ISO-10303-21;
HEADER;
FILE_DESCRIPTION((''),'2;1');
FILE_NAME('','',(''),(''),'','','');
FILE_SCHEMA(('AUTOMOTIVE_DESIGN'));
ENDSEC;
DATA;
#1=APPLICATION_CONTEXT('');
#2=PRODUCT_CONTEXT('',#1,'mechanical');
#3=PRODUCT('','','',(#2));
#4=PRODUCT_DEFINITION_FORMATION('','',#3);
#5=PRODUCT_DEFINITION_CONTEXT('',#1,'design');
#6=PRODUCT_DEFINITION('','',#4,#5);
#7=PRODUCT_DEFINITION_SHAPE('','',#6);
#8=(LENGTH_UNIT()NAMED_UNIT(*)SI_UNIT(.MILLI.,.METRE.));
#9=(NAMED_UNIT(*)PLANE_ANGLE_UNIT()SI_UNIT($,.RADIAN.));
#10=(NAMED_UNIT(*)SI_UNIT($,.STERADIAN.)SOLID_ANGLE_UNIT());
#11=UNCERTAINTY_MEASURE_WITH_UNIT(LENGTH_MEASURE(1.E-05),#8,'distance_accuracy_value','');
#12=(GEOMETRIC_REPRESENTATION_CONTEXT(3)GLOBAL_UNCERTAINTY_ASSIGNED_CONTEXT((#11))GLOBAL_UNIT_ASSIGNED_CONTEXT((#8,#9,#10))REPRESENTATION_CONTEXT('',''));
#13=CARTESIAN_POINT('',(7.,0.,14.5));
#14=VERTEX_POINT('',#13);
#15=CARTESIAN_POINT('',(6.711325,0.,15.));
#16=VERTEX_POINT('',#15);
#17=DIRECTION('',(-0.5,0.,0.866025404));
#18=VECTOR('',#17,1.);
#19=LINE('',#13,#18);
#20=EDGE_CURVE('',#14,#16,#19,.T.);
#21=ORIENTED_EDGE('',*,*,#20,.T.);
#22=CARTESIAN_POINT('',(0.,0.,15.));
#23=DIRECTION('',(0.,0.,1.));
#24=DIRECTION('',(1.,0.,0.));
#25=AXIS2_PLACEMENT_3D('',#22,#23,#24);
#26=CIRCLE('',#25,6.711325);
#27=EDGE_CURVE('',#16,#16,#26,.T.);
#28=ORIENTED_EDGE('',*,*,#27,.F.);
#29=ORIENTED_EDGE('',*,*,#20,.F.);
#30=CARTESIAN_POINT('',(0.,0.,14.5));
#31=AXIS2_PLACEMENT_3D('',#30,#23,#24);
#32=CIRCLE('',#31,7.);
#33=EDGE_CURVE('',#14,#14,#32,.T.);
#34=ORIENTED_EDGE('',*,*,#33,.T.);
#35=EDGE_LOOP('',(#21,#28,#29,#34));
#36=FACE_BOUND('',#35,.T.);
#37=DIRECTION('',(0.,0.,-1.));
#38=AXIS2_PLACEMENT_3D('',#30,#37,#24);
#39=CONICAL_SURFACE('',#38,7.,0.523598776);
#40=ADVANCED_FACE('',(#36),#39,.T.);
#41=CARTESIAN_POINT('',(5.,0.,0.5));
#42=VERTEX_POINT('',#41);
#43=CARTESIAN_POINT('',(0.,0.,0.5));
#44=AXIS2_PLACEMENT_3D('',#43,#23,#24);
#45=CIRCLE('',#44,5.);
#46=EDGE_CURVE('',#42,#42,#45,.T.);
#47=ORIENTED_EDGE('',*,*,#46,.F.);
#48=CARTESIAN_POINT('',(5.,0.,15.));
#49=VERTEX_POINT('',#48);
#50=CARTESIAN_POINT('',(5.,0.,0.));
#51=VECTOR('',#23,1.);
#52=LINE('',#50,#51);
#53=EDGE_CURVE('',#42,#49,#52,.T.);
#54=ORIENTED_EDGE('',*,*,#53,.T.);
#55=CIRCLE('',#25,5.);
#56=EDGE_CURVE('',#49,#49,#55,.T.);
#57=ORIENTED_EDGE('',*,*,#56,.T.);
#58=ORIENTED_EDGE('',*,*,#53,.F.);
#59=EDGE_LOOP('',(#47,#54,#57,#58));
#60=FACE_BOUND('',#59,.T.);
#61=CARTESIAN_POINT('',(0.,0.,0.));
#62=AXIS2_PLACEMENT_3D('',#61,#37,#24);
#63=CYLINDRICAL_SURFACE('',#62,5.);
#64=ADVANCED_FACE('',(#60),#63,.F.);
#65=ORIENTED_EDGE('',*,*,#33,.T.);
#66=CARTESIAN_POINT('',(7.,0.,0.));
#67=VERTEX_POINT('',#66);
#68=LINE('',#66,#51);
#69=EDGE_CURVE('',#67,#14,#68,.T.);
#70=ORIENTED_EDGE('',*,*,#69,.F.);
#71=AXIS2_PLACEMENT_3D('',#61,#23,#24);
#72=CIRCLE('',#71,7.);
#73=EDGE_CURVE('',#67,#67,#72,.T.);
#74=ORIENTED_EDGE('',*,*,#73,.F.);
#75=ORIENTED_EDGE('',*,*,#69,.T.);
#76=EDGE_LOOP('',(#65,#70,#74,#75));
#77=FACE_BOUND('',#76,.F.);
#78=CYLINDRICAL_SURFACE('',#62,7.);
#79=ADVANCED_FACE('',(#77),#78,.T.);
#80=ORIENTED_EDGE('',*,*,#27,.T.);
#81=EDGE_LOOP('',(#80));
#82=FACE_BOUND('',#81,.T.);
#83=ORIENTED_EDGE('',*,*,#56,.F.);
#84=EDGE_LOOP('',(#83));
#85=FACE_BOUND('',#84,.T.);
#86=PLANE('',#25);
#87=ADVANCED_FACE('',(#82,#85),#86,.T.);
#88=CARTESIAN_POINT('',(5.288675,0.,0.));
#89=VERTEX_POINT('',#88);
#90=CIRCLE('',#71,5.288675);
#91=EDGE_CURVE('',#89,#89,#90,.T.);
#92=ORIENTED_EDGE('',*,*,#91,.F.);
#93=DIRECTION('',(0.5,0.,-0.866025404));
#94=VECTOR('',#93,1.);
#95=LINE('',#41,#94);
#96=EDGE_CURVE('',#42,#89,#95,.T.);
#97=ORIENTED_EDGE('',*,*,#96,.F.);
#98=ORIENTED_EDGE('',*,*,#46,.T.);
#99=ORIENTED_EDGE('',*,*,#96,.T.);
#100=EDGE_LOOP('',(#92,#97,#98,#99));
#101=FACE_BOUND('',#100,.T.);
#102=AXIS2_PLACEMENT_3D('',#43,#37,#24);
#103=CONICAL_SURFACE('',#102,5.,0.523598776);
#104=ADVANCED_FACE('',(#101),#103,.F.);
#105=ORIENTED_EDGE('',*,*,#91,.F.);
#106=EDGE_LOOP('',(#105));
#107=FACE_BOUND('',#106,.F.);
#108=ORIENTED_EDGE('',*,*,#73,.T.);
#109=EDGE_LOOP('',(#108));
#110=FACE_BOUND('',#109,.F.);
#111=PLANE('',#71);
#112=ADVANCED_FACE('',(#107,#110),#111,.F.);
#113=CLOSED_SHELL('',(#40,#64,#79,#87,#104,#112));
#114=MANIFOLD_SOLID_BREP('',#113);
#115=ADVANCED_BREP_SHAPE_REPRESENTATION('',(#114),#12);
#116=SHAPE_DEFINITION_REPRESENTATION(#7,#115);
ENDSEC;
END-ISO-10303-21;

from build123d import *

# Parameters (mm, degrees)
F0_R     = 7
F0_R_2   = 5
F1_DEPTH = 15
F2_SIZE2 = 0.2886751346
F2_SIZE  = 0.5
F3_SIZE2 = 0.2886751346
F3_SIZE  = 0.5


with BuildPart() as f1:
    # F0 (on Top) → F1 (new body)
    with BuildSketch(Plane.XY):
        Circle(F0_R)
        Circle(F0_R_2, mode=Mode.SUBTRACT)
    extrude(amount=F1_DEPTH)

    # F2
    f2_edges = [f1.edges().sort_by_distance(p)[0] for p in [
        (-7, 0, 15),
    ]]
    f2_side = f1.faces().sort_by_distance((-7, 0, 7.5))[0]
    chamfer(f2_edges, length=F2_SIZE, length2=F2_SIZE2, reference=f2_side)

    # F3
    f3_edges = [f1.edges().sort_by_distance(p)[0] for p in [
        (-5, 0, 0),
    ]]
    f3_side = f1.faces().sort_by_distance((-5, 0, 7.5))[0]
    chamfer(f3_edges, length=F3_SIZE, length2=F3_SIZE2, reference=f3_side)


solid = f1.part
